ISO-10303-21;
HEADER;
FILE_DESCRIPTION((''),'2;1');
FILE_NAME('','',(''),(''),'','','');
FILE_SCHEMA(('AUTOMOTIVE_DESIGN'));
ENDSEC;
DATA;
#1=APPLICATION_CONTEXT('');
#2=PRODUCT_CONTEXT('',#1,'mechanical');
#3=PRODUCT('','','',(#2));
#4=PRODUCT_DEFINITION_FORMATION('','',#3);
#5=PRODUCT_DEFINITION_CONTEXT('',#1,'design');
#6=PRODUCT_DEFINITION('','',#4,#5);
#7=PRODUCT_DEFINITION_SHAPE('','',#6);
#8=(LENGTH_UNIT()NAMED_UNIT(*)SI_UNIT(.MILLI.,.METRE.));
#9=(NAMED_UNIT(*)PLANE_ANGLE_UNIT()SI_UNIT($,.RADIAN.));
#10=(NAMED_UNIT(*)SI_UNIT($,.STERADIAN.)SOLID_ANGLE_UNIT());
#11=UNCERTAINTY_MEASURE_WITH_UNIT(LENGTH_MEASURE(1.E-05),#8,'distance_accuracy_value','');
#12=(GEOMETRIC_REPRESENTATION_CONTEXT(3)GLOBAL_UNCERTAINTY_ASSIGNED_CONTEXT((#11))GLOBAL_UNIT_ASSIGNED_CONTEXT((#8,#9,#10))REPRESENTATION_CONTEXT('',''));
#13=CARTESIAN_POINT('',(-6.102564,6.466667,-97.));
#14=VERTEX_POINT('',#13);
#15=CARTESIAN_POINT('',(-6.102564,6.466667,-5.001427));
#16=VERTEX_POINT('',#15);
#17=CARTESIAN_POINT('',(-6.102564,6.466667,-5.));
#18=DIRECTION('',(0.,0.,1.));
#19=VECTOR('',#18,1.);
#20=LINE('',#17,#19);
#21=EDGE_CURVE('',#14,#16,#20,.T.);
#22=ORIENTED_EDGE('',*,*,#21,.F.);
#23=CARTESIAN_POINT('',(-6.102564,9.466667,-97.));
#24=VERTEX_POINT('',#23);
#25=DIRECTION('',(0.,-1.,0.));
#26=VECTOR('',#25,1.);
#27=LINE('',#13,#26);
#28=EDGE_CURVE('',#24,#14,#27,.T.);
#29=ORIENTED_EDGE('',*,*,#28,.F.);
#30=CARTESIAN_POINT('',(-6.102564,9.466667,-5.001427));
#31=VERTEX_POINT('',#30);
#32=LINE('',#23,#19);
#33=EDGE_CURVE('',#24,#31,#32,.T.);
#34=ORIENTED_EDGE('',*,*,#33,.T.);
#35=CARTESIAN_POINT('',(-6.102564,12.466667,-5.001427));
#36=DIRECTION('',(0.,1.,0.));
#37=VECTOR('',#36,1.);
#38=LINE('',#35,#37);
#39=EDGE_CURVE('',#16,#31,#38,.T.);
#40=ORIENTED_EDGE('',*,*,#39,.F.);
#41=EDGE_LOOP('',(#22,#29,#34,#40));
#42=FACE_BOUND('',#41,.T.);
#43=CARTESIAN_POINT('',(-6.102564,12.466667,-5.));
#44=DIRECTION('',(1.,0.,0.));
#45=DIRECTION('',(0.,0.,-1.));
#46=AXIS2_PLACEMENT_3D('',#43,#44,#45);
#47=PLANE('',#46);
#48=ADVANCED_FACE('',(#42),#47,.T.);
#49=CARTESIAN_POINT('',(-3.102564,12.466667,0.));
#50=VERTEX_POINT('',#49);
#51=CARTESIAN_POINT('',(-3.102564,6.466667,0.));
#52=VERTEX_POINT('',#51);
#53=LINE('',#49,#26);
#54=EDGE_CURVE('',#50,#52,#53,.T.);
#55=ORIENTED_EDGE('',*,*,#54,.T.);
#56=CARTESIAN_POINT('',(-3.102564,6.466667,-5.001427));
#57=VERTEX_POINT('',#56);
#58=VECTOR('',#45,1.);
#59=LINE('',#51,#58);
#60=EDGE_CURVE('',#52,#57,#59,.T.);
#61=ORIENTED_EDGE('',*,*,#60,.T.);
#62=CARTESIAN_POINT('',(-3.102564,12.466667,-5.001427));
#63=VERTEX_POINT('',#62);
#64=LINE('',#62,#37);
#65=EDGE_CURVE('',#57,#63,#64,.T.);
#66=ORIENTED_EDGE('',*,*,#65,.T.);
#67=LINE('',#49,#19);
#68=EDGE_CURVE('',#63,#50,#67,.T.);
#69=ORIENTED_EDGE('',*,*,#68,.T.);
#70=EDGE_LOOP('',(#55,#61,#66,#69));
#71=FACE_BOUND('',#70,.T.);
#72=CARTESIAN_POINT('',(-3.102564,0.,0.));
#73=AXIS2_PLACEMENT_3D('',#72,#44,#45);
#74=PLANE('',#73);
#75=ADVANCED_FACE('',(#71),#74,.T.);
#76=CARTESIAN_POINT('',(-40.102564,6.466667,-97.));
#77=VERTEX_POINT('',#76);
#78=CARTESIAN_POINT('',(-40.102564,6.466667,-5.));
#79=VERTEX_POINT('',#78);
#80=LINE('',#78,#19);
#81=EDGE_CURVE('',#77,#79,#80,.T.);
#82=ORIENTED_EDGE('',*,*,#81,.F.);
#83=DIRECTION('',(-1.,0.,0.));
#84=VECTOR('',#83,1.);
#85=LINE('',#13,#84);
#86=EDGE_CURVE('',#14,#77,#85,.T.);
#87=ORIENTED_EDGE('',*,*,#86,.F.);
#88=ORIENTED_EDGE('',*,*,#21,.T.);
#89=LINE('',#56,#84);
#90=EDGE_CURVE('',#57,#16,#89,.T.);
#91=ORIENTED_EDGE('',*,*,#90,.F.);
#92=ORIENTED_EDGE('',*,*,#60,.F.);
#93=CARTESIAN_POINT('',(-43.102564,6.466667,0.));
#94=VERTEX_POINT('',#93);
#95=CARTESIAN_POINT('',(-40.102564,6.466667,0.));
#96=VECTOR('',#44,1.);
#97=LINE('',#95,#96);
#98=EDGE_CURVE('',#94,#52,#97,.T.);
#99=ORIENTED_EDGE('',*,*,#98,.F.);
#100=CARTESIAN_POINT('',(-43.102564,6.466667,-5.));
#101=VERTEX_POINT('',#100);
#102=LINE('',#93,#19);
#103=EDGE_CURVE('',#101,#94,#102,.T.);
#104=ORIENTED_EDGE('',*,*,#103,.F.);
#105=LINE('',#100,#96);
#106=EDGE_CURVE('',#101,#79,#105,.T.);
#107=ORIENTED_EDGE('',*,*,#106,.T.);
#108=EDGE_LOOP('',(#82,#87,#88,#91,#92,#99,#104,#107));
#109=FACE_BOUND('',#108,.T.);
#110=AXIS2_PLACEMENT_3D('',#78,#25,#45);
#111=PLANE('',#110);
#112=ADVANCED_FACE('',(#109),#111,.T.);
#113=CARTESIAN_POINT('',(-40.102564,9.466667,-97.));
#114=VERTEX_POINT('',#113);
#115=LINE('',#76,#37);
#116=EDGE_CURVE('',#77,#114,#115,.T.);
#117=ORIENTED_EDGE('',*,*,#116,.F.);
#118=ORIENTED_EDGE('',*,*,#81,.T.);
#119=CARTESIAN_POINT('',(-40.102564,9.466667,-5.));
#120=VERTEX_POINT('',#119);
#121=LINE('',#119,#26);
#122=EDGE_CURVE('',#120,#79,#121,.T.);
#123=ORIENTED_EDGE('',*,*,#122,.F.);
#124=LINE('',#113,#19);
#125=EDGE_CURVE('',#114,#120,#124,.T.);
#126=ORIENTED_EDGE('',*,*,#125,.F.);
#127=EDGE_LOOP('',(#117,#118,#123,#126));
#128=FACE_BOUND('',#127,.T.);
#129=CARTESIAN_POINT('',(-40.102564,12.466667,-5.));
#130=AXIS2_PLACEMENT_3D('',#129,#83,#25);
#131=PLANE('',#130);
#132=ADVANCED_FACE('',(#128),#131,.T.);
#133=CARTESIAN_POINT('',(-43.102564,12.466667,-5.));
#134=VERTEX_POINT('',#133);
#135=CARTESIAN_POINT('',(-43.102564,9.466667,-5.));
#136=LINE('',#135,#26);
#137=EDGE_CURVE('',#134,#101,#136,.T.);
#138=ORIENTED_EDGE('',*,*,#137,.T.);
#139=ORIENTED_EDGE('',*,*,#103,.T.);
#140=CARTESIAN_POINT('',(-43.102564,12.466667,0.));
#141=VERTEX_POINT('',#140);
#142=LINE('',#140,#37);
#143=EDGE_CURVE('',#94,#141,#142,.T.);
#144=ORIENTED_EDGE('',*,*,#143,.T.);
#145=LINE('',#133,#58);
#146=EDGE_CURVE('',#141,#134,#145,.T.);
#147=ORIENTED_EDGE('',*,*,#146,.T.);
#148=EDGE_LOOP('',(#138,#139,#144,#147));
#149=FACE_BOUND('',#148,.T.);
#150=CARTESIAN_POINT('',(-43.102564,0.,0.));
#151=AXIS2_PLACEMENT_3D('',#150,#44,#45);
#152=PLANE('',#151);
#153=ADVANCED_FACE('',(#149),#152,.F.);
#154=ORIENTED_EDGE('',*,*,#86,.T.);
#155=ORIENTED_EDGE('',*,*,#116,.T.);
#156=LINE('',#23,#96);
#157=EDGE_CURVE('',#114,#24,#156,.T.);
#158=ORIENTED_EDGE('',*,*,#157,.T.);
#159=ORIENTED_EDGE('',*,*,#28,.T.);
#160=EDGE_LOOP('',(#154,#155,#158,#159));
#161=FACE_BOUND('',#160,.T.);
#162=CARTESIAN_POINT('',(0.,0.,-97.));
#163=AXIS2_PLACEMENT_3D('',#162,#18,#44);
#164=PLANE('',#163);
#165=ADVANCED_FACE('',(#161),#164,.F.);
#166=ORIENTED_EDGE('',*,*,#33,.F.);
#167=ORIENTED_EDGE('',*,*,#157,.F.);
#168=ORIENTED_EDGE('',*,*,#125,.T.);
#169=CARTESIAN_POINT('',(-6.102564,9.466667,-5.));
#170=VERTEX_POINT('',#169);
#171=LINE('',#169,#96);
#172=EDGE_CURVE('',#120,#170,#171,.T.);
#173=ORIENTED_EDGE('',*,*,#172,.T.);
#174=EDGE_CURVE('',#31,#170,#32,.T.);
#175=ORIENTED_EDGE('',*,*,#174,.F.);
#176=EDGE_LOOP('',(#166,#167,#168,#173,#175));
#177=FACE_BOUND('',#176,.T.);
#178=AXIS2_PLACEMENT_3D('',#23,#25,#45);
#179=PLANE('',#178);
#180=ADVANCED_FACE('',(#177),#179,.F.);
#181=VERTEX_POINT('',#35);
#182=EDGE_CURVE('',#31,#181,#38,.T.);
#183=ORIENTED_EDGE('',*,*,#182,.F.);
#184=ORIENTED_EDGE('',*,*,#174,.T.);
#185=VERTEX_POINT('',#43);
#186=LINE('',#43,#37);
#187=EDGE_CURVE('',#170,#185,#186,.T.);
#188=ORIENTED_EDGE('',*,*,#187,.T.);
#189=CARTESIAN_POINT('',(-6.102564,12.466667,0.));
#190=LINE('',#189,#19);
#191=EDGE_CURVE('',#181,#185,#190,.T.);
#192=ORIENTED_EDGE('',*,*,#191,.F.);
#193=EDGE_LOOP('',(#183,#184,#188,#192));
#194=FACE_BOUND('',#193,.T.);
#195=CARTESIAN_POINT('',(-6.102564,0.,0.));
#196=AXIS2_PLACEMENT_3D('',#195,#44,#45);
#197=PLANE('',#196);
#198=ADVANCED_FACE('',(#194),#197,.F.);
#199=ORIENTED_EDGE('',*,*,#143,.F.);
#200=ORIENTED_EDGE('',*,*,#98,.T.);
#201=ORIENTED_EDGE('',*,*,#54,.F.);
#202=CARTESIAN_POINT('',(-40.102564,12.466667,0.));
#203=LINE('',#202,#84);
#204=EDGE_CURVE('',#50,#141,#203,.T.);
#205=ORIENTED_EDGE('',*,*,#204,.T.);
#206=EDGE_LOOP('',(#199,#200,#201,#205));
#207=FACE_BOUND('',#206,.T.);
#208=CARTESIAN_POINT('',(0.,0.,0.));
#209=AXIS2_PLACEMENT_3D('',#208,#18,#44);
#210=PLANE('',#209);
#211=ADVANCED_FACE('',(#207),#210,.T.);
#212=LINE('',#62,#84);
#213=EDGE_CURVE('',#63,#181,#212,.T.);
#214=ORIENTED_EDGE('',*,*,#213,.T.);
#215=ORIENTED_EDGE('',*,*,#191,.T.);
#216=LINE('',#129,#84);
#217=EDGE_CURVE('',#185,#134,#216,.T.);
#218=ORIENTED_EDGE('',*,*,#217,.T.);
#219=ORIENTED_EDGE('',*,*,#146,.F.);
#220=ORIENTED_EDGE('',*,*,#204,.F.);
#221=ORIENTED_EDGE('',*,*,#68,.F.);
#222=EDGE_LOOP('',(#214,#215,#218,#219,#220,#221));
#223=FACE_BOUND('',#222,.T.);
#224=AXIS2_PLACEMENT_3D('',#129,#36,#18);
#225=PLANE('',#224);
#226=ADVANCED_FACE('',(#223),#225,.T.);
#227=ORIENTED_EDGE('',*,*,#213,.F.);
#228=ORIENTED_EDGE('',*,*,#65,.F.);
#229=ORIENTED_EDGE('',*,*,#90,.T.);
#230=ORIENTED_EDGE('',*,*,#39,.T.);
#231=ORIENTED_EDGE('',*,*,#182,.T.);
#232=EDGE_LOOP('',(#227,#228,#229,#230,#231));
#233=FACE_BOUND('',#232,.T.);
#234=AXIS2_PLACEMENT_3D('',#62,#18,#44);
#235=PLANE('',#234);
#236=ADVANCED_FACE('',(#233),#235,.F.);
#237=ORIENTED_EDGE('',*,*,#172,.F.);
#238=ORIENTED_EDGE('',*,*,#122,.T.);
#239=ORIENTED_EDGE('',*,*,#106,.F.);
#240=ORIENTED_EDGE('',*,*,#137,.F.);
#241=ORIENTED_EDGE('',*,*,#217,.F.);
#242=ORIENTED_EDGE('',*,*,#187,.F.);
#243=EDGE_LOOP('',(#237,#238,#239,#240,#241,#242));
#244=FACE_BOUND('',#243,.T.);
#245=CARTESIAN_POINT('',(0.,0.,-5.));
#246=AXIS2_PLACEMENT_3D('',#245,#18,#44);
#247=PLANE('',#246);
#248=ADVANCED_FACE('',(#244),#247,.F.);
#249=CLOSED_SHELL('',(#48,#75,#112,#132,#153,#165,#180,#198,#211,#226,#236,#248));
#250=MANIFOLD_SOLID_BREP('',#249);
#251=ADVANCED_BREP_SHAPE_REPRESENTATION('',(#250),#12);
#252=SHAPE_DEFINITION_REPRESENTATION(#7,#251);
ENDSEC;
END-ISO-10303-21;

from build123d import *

# Parameters (mm, degrees)
SKETCH1_W           = 34
SKETCH1_H           = 6
BOSS_EXTRUDE1_DEPTH = 5
SKETCH2_W           = 34
SKETCH2_H           = 3
BOSS_EXTRUDE2_DEPTH = 92
BOSS_EXTRUDE3_DEPTH = 3
SKETCH4_W           = 5.001426655
SKETCH4_H           = 6
BOSS_EXTRUDE4_DEPTH = 3


with BuildPart() as part:
    # Sketch1 → Boss-Extrude1 (new body)
    with BuildSketch(Plane.XY):
        with Locations((-23.102564103, 9.466666667)):
            Rectangle(SKETCH1_W, SKETCH1_H)
    extrude(amount=-BOSS_EXTRUDE1_DEPTH)

    # Sketch2 → Boss-Extrude2 (add)
    with BuildSketch(Plane(origin=(0, 0, -5), x_dir=(-1, 0, 0), z_dir=(0, 0, -1))):
        with Locations((23.102564103, 7.966666667)):
            Rectangle(SKETCH2_W, SKETCH2_H)
    extrude(amount=BOSS_EXTRUDE2_DEPTH)

    # Sketch3 → Boss-Extrude3 (add)
    with BuildSketch(Plane.ZY.offset(40.102564103)):
        Polygon((-5, 9.466666667), (-5, 6.466666667), (0, 6.466666667), (0, 12.466666667), (-5, 12.466666667), align=None)
    extrude(amount=BOSS_EXTRUDE3_DEPTH)

    # Sketch4 → Boss-Extrude4 (add)
    with BuildSketch(Plane(origin=(-6.102564103, 0, 0), x_dir=(0, 0, -1), z_dir=(1, 0, 0))):
        with Locations((2.500713328, 9.466666667)):
            Rectangle(SKETCH4_W, SKETCH4_H)
    extrude(amount=BOSS_EXTRUDE4_DEPTH)


solid = part.part
